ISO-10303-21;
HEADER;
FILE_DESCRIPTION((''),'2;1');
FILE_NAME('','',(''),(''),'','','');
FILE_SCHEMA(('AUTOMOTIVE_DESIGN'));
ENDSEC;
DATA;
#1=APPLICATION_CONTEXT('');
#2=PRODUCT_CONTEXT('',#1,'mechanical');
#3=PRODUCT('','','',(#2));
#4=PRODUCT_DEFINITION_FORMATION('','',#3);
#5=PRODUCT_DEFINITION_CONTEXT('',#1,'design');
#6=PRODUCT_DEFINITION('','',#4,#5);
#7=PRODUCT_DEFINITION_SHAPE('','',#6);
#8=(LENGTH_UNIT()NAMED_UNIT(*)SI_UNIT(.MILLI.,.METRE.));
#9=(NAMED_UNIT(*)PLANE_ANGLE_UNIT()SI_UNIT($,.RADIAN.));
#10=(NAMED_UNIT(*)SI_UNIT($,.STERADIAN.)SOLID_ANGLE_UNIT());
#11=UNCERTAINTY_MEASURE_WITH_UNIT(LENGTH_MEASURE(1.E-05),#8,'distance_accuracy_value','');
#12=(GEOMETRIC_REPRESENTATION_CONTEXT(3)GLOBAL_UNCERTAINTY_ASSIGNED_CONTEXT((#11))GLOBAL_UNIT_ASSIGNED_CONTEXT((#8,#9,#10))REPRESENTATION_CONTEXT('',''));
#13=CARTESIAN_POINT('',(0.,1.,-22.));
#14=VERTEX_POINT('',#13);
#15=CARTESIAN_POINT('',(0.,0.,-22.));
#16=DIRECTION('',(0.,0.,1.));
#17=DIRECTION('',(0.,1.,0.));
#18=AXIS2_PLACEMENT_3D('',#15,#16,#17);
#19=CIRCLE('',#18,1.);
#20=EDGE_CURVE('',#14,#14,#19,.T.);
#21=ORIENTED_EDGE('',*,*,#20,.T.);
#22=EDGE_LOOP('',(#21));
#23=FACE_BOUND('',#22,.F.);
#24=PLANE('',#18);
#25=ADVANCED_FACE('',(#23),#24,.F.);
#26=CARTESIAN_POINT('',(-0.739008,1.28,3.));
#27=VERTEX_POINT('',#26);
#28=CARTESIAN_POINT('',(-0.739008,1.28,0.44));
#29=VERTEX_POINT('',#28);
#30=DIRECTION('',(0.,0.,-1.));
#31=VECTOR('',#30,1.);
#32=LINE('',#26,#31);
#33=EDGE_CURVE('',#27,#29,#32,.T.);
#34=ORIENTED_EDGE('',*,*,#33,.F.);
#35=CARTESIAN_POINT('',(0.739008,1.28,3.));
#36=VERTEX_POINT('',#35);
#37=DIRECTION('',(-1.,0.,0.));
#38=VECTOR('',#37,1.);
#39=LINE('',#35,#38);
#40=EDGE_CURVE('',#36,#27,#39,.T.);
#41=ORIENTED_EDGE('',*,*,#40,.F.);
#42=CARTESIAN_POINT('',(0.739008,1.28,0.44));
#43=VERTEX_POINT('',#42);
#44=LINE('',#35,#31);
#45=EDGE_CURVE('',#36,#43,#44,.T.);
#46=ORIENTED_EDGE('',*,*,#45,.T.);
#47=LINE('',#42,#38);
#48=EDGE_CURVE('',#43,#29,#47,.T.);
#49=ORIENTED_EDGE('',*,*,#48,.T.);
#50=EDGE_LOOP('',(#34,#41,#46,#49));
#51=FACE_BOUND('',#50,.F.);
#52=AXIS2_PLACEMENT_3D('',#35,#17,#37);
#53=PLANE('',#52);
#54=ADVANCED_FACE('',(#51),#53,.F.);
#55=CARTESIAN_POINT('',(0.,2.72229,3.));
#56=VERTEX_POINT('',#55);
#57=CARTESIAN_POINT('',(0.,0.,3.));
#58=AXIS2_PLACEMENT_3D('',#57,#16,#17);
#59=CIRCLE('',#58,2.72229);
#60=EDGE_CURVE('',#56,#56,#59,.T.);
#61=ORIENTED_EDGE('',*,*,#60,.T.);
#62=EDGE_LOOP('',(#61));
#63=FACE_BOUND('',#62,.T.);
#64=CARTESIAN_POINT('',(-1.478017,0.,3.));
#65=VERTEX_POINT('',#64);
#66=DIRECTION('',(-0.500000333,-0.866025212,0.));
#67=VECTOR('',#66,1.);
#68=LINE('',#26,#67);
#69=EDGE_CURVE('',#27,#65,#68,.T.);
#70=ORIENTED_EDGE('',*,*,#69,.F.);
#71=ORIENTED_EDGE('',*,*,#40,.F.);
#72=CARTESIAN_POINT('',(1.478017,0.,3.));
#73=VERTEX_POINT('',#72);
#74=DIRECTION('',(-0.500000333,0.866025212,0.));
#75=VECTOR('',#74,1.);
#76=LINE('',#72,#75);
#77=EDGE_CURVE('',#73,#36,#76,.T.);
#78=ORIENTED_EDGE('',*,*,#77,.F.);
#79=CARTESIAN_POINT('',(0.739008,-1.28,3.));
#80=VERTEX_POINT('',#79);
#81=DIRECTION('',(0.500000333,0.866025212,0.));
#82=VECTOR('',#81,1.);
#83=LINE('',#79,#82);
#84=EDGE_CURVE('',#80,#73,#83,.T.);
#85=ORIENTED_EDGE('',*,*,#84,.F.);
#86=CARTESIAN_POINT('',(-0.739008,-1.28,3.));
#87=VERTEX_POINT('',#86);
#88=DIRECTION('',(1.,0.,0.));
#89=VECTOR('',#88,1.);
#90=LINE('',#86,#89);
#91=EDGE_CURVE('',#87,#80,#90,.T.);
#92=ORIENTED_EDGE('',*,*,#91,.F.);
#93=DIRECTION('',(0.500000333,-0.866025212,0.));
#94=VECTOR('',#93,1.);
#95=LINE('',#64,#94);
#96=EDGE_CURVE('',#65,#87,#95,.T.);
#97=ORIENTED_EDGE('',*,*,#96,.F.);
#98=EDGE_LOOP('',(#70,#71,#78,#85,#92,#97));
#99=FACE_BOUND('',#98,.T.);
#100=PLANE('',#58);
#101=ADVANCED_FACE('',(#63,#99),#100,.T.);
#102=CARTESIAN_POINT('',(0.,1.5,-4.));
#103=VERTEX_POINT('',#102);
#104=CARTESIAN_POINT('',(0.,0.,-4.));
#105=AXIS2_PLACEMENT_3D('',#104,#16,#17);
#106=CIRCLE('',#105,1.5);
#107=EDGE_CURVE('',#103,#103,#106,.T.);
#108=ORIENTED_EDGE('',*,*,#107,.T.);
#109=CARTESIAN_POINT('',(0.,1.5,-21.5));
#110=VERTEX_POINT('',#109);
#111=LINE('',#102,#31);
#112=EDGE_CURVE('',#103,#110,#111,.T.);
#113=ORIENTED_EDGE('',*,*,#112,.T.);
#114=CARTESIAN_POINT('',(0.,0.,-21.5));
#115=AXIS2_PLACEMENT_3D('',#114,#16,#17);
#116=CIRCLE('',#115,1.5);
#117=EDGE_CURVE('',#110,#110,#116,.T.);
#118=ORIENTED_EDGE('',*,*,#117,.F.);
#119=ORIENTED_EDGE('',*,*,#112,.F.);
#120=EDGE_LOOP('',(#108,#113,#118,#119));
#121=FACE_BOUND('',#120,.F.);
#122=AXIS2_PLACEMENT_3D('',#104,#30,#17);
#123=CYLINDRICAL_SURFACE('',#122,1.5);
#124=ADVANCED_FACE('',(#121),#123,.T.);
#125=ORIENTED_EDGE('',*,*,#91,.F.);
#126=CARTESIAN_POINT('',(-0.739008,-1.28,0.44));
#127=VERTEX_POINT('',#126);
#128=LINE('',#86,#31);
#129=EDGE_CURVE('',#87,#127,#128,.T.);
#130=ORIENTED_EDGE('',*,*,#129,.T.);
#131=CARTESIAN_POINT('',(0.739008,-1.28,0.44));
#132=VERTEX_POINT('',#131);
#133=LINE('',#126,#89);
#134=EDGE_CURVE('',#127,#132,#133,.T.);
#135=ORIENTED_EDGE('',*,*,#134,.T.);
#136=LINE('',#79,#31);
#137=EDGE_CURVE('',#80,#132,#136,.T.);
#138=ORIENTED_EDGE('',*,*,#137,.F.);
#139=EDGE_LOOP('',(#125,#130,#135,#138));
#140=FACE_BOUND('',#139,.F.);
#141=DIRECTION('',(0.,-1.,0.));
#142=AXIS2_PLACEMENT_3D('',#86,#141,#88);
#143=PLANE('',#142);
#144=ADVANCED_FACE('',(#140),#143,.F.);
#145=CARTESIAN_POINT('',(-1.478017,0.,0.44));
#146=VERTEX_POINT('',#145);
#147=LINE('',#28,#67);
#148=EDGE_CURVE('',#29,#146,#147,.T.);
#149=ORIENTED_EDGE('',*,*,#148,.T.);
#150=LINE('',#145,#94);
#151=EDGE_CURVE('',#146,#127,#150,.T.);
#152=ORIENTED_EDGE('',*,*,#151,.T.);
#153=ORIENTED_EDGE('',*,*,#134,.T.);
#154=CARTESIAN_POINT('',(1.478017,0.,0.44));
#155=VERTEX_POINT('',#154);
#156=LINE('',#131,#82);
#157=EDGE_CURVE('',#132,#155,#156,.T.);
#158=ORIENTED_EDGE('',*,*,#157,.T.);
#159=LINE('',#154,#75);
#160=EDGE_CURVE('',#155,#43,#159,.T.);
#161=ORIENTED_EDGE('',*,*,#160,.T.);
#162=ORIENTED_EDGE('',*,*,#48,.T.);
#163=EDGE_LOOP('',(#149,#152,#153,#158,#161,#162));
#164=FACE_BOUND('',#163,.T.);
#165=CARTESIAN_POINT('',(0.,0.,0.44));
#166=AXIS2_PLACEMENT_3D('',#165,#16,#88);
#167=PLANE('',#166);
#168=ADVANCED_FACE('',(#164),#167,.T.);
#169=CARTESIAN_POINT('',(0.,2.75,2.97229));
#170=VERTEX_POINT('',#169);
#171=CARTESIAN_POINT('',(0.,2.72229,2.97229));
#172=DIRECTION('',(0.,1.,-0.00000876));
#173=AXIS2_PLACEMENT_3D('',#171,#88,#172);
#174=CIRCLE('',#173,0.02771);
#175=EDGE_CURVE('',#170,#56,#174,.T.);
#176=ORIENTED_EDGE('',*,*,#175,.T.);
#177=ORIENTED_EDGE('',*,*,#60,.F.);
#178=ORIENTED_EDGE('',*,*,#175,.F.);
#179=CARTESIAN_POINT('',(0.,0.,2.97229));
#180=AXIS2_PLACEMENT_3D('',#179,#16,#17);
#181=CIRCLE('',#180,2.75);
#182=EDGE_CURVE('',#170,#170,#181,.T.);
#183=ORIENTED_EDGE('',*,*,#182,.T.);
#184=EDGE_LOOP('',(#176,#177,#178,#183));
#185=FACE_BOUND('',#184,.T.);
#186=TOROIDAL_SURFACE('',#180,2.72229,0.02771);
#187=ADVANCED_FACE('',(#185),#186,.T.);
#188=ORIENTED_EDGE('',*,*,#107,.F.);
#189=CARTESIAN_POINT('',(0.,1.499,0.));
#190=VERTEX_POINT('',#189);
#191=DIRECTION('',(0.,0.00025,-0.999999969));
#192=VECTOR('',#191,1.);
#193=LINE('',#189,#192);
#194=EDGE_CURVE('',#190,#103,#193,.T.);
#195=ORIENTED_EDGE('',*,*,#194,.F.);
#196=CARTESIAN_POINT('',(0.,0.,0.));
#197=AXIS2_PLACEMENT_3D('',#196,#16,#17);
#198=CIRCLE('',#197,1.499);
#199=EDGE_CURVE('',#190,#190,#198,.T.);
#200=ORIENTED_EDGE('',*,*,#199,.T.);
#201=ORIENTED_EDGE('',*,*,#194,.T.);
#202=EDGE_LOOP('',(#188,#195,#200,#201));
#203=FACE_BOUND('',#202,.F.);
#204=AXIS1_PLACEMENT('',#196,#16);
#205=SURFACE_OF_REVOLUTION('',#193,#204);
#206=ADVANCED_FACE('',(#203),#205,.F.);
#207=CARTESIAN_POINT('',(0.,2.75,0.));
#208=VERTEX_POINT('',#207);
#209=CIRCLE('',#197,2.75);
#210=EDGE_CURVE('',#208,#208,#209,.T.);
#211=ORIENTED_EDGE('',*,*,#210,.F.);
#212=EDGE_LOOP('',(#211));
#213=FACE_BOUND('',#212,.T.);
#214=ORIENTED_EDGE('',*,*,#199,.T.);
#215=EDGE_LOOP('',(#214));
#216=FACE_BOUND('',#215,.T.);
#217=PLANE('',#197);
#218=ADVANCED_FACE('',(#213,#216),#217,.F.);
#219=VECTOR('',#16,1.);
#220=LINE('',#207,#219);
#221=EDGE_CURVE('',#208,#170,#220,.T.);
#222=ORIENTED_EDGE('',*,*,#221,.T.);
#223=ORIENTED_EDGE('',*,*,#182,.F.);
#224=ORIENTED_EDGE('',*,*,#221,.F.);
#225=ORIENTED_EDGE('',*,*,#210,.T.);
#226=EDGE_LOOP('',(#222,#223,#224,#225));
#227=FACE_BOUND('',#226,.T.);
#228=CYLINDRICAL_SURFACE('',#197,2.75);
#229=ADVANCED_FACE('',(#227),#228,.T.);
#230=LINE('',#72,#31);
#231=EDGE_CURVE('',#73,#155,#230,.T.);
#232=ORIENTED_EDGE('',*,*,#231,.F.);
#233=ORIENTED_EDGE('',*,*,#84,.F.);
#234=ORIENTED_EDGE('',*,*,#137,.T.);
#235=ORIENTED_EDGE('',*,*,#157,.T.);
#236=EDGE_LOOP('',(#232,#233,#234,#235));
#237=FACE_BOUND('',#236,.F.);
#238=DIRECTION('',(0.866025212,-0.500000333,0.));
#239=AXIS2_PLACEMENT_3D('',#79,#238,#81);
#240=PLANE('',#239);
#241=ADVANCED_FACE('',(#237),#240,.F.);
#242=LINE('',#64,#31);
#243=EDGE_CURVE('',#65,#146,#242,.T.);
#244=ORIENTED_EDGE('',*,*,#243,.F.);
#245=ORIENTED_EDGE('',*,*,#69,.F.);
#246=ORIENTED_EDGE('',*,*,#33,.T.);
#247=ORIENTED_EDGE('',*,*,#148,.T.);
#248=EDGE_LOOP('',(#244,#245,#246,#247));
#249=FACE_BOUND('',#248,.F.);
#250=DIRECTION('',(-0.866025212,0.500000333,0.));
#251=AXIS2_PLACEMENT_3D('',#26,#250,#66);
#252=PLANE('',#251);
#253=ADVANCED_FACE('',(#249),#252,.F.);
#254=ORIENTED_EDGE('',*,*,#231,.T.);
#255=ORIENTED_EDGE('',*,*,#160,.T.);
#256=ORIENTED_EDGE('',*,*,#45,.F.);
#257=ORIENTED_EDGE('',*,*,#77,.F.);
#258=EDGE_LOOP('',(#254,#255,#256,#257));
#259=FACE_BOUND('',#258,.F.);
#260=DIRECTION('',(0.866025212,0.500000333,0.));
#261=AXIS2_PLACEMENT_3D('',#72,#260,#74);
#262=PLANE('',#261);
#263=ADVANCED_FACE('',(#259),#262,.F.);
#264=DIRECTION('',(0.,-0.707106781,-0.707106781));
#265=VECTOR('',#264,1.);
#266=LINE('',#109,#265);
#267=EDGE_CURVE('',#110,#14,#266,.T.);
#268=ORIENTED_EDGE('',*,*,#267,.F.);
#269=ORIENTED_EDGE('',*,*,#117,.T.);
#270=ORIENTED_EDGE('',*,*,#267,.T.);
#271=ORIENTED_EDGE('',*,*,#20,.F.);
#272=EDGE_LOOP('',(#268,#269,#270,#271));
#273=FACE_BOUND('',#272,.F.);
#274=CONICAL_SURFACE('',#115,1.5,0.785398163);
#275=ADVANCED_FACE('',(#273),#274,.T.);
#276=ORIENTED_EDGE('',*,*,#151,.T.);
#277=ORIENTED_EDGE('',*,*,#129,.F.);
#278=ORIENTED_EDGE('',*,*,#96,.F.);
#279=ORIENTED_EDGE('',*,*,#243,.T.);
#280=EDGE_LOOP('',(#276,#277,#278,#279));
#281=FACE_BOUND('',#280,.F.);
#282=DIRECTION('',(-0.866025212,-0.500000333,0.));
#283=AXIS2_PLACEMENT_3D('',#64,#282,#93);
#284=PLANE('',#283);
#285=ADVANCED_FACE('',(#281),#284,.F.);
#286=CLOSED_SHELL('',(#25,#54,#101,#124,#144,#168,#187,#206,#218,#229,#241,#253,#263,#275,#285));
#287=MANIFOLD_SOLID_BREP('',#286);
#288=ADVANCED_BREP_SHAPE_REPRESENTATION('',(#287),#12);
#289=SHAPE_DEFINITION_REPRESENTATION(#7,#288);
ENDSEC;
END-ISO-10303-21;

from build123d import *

# Parameters (mm, degrees)
POCKET_DEPTH = 2.56


with BuildPart() as part:
    # Sketch → Revolve (revolve)
    with BuildSketch(Plane.YZ):
        with BuildLine():
            Line((1.499, 0), (2.75, 0))
            Line((2.75, 0), (2.75, 2.97229))
            ThreePointArc((2.75, 2.97229), (2.741884, 2.991884), (2.72229, 3))
            Line((2.72229, 3), (0, 3))
            Line((0, -22), (0, 3))
            Line((1, -22), (0, -22))
            Line((1.5, -21.5), (1, -22))
            Line((1.5, -4), (1.5, -21.5))
            Line((1.499, 0), (1.5, -4))
        make_face()
    revolve(axis=Axis((0, 0, 0), (0, 0, 1)))

    # Sketch001 → Pocket (cut)
    with BuildSketch(Plane.XY.offset(3)):
        Polygon((1.478017, 0), (0.739008, 1.28), (-0.739008, 1.28), (-1.478017, 0), (-0.739008, -1.28), (0.739008, -1.28), align=None)
    extrude(amount=-POCKET_DEPTH, mode=Mode.SUBTRACT)


solid = part.part
